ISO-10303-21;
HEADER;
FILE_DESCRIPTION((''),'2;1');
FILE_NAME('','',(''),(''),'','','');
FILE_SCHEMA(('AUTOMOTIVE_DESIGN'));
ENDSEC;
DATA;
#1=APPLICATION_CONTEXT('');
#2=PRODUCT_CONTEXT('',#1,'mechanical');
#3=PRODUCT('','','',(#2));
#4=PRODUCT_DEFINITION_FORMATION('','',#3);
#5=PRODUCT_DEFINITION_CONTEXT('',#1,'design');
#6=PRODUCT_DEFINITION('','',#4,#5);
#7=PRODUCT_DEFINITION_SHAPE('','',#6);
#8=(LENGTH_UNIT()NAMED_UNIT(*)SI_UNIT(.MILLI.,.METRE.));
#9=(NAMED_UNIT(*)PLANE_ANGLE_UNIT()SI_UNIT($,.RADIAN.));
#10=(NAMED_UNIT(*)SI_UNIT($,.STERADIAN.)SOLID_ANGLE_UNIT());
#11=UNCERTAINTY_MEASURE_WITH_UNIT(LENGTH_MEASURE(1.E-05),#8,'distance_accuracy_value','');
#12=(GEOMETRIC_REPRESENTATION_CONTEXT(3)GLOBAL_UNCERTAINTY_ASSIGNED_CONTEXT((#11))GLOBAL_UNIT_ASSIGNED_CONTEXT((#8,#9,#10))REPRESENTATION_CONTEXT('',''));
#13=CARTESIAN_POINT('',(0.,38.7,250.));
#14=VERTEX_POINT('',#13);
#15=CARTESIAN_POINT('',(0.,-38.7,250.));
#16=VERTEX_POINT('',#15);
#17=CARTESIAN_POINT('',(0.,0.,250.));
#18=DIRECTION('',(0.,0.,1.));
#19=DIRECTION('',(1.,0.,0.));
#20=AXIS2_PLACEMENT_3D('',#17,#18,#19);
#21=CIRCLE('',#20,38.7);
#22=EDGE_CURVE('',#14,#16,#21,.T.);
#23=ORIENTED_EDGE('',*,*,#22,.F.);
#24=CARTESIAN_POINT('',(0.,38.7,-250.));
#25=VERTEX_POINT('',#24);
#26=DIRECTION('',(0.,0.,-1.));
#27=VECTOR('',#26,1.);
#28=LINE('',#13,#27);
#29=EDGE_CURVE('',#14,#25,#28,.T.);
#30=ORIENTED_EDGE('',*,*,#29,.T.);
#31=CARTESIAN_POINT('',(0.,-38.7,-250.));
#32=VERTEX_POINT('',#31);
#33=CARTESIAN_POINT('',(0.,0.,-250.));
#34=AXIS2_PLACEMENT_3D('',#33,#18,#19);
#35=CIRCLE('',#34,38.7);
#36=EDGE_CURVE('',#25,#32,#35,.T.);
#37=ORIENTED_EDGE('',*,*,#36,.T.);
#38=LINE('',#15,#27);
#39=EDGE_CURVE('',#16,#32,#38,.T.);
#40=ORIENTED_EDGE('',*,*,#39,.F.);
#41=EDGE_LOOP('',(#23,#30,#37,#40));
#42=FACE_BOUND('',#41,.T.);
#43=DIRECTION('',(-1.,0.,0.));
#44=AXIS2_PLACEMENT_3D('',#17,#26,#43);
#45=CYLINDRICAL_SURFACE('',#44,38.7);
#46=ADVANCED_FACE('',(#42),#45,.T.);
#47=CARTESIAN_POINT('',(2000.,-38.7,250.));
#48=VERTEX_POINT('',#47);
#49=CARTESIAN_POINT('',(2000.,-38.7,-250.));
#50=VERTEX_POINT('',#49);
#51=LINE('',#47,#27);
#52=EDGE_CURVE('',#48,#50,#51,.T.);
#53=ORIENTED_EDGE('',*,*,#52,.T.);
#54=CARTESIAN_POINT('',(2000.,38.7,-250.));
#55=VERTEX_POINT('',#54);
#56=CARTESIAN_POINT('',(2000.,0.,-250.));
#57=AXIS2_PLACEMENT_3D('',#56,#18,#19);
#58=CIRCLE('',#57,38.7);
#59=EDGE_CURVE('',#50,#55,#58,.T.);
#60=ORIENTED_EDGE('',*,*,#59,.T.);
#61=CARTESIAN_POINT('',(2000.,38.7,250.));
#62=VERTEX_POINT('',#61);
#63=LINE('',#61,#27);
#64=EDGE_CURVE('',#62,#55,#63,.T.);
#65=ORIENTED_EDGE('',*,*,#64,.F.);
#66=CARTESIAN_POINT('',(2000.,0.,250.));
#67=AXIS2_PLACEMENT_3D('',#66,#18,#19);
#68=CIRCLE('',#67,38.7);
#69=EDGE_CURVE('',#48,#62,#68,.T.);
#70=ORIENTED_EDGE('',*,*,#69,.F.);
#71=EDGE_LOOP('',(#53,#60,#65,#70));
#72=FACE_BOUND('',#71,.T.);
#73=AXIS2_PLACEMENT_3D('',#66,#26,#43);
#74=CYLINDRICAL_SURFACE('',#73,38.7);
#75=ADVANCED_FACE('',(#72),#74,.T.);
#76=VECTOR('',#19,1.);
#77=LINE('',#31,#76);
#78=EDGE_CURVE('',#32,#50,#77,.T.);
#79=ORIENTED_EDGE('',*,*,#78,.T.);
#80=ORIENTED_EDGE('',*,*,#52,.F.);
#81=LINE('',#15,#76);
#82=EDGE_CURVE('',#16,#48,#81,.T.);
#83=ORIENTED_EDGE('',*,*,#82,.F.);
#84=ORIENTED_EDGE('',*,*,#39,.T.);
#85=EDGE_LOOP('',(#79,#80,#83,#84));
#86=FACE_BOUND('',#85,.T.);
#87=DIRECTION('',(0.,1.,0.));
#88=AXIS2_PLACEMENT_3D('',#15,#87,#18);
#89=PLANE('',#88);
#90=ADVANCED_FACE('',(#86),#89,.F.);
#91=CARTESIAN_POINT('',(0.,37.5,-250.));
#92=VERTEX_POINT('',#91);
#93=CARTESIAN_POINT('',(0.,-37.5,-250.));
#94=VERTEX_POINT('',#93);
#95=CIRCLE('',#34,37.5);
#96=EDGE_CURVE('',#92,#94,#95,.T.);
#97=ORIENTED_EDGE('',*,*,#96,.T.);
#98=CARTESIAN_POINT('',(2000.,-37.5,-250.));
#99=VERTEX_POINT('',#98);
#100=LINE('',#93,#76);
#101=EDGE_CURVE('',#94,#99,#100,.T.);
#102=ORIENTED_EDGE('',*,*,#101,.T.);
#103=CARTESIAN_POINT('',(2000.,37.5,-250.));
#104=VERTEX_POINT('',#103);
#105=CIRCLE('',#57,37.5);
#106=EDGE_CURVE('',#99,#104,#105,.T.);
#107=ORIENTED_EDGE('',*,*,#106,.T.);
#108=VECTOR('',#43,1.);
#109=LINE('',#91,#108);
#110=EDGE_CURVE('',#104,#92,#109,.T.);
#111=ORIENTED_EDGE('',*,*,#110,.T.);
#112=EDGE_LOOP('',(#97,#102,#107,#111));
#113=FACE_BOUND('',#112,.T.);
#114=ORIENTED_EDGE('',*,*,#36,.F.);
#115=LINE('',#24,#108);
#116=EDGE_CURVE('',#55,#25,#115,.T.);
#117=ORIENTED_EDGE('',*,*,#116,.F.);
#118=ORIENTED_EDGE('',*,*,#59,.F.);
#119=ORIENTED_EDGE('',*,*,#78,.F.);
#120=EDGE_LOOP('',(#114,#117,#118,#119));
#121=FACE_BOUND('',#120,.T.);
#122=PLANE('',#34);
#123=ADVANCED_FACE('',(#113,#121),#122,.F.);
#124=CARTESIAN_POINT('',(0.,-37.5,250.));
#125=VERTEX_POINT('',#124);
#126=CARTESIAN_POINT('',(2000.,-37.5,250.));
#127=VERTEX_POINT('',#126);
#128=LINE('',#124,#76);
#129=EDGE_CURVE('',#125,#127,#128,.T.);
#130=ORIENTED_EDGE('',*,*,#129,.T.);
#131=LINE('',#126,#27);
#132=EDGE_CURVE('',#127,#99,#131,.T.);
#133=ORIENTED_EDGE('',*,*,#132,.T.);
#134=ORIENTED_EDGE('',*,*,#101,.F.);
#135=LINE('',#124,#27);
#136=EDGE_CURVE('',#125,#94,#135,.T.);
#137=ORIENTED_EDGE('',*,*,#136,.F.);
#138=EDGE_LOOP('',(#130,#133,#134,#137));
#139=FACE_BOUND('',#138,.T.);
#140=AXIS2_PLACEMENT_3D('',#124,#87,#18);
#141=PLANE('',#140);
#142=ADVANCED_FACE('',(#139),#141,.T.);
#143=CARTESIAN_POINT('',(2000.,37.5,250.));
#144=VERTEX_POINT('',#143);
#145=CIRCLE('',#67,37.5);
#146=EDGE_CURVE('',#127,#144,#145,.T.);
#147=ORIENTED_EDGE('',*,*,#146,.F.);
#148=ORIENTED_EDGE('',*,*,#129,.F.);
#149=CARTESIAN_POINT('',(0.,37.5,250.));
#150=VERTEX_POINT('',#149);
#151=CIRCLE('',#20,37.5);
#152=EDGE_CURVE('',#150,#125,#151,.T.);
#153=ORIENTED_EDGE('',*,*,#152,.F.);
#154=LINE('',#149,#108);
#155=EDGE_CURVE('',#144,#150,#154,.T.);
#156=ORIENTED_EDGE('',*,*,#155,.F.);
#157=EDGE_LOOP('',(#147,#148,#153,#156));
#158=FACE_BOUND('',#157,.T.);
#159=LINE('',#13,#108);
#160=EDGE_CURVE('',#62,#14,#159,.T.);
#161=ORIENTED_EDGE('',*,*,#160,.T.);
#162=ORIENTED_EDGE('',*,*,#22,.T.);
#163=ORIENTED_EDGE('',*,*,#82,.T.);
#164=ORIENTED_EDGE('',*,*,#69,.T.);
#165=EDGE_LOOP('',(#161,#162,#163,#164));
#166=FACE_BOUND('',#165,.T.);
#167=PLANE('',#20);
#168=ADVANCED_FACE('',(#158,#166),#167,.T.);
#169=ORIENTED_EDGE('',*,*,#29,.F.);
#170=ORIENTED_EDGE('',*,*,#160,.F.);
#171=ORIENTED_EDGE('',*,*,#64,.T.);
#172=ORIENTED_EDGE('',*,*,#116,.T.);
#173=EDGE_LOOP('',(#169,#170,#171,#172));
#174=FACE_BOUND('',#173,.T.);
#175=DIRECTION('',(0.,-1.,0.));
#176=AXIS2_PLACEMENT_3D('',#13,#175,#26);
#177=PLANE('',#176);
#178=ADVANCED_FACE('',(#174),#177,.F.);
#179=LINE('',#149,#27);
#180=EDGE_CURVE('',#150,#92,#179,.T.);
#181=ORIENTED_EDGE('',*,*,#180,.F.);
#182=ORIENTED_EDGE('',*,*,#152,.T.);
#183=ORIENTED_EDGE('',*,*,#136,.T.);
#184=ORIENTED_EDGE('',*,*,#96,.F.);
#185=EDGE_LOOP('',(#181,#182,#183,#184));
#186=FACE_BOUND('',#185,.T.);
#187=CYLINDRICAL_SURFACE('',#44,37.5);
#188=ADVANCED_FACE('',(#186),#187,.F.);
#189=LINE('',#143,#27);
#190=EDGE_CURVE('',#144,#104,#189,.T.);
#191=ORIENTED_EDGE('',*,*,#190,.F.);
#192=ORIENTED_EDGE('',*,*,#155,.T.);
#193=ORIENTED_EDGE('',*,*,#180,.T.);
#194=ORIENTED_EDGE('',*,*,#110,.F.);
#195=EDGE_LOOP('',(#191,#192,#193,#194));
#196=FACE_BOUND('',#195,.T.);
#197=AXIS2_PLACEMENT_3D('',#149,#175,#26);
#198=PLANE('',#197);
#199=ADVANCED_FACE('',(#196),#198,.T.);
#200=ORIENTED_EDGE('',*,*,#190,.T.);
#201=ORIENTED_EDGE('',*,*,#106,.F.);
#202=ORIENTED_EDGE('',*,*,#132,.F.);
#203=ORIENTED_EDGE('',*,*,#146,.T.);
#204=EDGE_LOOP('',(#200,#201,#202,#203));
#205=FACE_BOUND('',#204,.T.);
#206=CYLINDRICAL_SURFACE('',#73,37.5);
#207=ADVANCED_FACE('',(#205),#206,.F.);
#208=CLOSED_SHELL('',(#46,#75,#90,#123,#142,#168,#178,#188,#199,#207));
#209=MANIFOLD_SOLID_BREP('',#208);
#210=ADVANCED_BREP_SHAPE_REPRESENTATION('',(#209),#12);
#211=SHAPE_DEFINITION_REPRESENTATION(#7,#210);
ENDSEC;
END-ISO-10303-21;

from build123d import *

# Parameters (mm, degrees)
BOSS_EXTRUDE1_DEPTH = 250


with BuildPart() as part:
    # Sketch1 → Boss-Extrude1 (new, symmetric)
    with BuildSketch(Plane.XY):
        with BuildLine():
            Line((0, -38.7), (2000, -38.7))
            ThreePointArc((2000, -38.7), (2038.7, 0), (2000, 38.7))
            Line((2000, 38.7), (0, 38.7))
            ThreePointArc((0, 38.7), (-38.7, 0), (0, -38.7))
        make_face()
        with BuildLine():
            Line((0, 37.5), (2000, 37.5))
            ThreePointArc((2000, 37.5), (2037.5, 0), (2000, -37.5))
            Line((2000, -37.5), (0, -37.5))
            ThreePointArc((0, -37.5), (-37.5, 0), (0, 37.5))
        make_face(mode=Mode.SUBTRACT)
    extrude(amount=BOSS_EXTRUDE1_DEPTH, both=True)


solid = part.part
